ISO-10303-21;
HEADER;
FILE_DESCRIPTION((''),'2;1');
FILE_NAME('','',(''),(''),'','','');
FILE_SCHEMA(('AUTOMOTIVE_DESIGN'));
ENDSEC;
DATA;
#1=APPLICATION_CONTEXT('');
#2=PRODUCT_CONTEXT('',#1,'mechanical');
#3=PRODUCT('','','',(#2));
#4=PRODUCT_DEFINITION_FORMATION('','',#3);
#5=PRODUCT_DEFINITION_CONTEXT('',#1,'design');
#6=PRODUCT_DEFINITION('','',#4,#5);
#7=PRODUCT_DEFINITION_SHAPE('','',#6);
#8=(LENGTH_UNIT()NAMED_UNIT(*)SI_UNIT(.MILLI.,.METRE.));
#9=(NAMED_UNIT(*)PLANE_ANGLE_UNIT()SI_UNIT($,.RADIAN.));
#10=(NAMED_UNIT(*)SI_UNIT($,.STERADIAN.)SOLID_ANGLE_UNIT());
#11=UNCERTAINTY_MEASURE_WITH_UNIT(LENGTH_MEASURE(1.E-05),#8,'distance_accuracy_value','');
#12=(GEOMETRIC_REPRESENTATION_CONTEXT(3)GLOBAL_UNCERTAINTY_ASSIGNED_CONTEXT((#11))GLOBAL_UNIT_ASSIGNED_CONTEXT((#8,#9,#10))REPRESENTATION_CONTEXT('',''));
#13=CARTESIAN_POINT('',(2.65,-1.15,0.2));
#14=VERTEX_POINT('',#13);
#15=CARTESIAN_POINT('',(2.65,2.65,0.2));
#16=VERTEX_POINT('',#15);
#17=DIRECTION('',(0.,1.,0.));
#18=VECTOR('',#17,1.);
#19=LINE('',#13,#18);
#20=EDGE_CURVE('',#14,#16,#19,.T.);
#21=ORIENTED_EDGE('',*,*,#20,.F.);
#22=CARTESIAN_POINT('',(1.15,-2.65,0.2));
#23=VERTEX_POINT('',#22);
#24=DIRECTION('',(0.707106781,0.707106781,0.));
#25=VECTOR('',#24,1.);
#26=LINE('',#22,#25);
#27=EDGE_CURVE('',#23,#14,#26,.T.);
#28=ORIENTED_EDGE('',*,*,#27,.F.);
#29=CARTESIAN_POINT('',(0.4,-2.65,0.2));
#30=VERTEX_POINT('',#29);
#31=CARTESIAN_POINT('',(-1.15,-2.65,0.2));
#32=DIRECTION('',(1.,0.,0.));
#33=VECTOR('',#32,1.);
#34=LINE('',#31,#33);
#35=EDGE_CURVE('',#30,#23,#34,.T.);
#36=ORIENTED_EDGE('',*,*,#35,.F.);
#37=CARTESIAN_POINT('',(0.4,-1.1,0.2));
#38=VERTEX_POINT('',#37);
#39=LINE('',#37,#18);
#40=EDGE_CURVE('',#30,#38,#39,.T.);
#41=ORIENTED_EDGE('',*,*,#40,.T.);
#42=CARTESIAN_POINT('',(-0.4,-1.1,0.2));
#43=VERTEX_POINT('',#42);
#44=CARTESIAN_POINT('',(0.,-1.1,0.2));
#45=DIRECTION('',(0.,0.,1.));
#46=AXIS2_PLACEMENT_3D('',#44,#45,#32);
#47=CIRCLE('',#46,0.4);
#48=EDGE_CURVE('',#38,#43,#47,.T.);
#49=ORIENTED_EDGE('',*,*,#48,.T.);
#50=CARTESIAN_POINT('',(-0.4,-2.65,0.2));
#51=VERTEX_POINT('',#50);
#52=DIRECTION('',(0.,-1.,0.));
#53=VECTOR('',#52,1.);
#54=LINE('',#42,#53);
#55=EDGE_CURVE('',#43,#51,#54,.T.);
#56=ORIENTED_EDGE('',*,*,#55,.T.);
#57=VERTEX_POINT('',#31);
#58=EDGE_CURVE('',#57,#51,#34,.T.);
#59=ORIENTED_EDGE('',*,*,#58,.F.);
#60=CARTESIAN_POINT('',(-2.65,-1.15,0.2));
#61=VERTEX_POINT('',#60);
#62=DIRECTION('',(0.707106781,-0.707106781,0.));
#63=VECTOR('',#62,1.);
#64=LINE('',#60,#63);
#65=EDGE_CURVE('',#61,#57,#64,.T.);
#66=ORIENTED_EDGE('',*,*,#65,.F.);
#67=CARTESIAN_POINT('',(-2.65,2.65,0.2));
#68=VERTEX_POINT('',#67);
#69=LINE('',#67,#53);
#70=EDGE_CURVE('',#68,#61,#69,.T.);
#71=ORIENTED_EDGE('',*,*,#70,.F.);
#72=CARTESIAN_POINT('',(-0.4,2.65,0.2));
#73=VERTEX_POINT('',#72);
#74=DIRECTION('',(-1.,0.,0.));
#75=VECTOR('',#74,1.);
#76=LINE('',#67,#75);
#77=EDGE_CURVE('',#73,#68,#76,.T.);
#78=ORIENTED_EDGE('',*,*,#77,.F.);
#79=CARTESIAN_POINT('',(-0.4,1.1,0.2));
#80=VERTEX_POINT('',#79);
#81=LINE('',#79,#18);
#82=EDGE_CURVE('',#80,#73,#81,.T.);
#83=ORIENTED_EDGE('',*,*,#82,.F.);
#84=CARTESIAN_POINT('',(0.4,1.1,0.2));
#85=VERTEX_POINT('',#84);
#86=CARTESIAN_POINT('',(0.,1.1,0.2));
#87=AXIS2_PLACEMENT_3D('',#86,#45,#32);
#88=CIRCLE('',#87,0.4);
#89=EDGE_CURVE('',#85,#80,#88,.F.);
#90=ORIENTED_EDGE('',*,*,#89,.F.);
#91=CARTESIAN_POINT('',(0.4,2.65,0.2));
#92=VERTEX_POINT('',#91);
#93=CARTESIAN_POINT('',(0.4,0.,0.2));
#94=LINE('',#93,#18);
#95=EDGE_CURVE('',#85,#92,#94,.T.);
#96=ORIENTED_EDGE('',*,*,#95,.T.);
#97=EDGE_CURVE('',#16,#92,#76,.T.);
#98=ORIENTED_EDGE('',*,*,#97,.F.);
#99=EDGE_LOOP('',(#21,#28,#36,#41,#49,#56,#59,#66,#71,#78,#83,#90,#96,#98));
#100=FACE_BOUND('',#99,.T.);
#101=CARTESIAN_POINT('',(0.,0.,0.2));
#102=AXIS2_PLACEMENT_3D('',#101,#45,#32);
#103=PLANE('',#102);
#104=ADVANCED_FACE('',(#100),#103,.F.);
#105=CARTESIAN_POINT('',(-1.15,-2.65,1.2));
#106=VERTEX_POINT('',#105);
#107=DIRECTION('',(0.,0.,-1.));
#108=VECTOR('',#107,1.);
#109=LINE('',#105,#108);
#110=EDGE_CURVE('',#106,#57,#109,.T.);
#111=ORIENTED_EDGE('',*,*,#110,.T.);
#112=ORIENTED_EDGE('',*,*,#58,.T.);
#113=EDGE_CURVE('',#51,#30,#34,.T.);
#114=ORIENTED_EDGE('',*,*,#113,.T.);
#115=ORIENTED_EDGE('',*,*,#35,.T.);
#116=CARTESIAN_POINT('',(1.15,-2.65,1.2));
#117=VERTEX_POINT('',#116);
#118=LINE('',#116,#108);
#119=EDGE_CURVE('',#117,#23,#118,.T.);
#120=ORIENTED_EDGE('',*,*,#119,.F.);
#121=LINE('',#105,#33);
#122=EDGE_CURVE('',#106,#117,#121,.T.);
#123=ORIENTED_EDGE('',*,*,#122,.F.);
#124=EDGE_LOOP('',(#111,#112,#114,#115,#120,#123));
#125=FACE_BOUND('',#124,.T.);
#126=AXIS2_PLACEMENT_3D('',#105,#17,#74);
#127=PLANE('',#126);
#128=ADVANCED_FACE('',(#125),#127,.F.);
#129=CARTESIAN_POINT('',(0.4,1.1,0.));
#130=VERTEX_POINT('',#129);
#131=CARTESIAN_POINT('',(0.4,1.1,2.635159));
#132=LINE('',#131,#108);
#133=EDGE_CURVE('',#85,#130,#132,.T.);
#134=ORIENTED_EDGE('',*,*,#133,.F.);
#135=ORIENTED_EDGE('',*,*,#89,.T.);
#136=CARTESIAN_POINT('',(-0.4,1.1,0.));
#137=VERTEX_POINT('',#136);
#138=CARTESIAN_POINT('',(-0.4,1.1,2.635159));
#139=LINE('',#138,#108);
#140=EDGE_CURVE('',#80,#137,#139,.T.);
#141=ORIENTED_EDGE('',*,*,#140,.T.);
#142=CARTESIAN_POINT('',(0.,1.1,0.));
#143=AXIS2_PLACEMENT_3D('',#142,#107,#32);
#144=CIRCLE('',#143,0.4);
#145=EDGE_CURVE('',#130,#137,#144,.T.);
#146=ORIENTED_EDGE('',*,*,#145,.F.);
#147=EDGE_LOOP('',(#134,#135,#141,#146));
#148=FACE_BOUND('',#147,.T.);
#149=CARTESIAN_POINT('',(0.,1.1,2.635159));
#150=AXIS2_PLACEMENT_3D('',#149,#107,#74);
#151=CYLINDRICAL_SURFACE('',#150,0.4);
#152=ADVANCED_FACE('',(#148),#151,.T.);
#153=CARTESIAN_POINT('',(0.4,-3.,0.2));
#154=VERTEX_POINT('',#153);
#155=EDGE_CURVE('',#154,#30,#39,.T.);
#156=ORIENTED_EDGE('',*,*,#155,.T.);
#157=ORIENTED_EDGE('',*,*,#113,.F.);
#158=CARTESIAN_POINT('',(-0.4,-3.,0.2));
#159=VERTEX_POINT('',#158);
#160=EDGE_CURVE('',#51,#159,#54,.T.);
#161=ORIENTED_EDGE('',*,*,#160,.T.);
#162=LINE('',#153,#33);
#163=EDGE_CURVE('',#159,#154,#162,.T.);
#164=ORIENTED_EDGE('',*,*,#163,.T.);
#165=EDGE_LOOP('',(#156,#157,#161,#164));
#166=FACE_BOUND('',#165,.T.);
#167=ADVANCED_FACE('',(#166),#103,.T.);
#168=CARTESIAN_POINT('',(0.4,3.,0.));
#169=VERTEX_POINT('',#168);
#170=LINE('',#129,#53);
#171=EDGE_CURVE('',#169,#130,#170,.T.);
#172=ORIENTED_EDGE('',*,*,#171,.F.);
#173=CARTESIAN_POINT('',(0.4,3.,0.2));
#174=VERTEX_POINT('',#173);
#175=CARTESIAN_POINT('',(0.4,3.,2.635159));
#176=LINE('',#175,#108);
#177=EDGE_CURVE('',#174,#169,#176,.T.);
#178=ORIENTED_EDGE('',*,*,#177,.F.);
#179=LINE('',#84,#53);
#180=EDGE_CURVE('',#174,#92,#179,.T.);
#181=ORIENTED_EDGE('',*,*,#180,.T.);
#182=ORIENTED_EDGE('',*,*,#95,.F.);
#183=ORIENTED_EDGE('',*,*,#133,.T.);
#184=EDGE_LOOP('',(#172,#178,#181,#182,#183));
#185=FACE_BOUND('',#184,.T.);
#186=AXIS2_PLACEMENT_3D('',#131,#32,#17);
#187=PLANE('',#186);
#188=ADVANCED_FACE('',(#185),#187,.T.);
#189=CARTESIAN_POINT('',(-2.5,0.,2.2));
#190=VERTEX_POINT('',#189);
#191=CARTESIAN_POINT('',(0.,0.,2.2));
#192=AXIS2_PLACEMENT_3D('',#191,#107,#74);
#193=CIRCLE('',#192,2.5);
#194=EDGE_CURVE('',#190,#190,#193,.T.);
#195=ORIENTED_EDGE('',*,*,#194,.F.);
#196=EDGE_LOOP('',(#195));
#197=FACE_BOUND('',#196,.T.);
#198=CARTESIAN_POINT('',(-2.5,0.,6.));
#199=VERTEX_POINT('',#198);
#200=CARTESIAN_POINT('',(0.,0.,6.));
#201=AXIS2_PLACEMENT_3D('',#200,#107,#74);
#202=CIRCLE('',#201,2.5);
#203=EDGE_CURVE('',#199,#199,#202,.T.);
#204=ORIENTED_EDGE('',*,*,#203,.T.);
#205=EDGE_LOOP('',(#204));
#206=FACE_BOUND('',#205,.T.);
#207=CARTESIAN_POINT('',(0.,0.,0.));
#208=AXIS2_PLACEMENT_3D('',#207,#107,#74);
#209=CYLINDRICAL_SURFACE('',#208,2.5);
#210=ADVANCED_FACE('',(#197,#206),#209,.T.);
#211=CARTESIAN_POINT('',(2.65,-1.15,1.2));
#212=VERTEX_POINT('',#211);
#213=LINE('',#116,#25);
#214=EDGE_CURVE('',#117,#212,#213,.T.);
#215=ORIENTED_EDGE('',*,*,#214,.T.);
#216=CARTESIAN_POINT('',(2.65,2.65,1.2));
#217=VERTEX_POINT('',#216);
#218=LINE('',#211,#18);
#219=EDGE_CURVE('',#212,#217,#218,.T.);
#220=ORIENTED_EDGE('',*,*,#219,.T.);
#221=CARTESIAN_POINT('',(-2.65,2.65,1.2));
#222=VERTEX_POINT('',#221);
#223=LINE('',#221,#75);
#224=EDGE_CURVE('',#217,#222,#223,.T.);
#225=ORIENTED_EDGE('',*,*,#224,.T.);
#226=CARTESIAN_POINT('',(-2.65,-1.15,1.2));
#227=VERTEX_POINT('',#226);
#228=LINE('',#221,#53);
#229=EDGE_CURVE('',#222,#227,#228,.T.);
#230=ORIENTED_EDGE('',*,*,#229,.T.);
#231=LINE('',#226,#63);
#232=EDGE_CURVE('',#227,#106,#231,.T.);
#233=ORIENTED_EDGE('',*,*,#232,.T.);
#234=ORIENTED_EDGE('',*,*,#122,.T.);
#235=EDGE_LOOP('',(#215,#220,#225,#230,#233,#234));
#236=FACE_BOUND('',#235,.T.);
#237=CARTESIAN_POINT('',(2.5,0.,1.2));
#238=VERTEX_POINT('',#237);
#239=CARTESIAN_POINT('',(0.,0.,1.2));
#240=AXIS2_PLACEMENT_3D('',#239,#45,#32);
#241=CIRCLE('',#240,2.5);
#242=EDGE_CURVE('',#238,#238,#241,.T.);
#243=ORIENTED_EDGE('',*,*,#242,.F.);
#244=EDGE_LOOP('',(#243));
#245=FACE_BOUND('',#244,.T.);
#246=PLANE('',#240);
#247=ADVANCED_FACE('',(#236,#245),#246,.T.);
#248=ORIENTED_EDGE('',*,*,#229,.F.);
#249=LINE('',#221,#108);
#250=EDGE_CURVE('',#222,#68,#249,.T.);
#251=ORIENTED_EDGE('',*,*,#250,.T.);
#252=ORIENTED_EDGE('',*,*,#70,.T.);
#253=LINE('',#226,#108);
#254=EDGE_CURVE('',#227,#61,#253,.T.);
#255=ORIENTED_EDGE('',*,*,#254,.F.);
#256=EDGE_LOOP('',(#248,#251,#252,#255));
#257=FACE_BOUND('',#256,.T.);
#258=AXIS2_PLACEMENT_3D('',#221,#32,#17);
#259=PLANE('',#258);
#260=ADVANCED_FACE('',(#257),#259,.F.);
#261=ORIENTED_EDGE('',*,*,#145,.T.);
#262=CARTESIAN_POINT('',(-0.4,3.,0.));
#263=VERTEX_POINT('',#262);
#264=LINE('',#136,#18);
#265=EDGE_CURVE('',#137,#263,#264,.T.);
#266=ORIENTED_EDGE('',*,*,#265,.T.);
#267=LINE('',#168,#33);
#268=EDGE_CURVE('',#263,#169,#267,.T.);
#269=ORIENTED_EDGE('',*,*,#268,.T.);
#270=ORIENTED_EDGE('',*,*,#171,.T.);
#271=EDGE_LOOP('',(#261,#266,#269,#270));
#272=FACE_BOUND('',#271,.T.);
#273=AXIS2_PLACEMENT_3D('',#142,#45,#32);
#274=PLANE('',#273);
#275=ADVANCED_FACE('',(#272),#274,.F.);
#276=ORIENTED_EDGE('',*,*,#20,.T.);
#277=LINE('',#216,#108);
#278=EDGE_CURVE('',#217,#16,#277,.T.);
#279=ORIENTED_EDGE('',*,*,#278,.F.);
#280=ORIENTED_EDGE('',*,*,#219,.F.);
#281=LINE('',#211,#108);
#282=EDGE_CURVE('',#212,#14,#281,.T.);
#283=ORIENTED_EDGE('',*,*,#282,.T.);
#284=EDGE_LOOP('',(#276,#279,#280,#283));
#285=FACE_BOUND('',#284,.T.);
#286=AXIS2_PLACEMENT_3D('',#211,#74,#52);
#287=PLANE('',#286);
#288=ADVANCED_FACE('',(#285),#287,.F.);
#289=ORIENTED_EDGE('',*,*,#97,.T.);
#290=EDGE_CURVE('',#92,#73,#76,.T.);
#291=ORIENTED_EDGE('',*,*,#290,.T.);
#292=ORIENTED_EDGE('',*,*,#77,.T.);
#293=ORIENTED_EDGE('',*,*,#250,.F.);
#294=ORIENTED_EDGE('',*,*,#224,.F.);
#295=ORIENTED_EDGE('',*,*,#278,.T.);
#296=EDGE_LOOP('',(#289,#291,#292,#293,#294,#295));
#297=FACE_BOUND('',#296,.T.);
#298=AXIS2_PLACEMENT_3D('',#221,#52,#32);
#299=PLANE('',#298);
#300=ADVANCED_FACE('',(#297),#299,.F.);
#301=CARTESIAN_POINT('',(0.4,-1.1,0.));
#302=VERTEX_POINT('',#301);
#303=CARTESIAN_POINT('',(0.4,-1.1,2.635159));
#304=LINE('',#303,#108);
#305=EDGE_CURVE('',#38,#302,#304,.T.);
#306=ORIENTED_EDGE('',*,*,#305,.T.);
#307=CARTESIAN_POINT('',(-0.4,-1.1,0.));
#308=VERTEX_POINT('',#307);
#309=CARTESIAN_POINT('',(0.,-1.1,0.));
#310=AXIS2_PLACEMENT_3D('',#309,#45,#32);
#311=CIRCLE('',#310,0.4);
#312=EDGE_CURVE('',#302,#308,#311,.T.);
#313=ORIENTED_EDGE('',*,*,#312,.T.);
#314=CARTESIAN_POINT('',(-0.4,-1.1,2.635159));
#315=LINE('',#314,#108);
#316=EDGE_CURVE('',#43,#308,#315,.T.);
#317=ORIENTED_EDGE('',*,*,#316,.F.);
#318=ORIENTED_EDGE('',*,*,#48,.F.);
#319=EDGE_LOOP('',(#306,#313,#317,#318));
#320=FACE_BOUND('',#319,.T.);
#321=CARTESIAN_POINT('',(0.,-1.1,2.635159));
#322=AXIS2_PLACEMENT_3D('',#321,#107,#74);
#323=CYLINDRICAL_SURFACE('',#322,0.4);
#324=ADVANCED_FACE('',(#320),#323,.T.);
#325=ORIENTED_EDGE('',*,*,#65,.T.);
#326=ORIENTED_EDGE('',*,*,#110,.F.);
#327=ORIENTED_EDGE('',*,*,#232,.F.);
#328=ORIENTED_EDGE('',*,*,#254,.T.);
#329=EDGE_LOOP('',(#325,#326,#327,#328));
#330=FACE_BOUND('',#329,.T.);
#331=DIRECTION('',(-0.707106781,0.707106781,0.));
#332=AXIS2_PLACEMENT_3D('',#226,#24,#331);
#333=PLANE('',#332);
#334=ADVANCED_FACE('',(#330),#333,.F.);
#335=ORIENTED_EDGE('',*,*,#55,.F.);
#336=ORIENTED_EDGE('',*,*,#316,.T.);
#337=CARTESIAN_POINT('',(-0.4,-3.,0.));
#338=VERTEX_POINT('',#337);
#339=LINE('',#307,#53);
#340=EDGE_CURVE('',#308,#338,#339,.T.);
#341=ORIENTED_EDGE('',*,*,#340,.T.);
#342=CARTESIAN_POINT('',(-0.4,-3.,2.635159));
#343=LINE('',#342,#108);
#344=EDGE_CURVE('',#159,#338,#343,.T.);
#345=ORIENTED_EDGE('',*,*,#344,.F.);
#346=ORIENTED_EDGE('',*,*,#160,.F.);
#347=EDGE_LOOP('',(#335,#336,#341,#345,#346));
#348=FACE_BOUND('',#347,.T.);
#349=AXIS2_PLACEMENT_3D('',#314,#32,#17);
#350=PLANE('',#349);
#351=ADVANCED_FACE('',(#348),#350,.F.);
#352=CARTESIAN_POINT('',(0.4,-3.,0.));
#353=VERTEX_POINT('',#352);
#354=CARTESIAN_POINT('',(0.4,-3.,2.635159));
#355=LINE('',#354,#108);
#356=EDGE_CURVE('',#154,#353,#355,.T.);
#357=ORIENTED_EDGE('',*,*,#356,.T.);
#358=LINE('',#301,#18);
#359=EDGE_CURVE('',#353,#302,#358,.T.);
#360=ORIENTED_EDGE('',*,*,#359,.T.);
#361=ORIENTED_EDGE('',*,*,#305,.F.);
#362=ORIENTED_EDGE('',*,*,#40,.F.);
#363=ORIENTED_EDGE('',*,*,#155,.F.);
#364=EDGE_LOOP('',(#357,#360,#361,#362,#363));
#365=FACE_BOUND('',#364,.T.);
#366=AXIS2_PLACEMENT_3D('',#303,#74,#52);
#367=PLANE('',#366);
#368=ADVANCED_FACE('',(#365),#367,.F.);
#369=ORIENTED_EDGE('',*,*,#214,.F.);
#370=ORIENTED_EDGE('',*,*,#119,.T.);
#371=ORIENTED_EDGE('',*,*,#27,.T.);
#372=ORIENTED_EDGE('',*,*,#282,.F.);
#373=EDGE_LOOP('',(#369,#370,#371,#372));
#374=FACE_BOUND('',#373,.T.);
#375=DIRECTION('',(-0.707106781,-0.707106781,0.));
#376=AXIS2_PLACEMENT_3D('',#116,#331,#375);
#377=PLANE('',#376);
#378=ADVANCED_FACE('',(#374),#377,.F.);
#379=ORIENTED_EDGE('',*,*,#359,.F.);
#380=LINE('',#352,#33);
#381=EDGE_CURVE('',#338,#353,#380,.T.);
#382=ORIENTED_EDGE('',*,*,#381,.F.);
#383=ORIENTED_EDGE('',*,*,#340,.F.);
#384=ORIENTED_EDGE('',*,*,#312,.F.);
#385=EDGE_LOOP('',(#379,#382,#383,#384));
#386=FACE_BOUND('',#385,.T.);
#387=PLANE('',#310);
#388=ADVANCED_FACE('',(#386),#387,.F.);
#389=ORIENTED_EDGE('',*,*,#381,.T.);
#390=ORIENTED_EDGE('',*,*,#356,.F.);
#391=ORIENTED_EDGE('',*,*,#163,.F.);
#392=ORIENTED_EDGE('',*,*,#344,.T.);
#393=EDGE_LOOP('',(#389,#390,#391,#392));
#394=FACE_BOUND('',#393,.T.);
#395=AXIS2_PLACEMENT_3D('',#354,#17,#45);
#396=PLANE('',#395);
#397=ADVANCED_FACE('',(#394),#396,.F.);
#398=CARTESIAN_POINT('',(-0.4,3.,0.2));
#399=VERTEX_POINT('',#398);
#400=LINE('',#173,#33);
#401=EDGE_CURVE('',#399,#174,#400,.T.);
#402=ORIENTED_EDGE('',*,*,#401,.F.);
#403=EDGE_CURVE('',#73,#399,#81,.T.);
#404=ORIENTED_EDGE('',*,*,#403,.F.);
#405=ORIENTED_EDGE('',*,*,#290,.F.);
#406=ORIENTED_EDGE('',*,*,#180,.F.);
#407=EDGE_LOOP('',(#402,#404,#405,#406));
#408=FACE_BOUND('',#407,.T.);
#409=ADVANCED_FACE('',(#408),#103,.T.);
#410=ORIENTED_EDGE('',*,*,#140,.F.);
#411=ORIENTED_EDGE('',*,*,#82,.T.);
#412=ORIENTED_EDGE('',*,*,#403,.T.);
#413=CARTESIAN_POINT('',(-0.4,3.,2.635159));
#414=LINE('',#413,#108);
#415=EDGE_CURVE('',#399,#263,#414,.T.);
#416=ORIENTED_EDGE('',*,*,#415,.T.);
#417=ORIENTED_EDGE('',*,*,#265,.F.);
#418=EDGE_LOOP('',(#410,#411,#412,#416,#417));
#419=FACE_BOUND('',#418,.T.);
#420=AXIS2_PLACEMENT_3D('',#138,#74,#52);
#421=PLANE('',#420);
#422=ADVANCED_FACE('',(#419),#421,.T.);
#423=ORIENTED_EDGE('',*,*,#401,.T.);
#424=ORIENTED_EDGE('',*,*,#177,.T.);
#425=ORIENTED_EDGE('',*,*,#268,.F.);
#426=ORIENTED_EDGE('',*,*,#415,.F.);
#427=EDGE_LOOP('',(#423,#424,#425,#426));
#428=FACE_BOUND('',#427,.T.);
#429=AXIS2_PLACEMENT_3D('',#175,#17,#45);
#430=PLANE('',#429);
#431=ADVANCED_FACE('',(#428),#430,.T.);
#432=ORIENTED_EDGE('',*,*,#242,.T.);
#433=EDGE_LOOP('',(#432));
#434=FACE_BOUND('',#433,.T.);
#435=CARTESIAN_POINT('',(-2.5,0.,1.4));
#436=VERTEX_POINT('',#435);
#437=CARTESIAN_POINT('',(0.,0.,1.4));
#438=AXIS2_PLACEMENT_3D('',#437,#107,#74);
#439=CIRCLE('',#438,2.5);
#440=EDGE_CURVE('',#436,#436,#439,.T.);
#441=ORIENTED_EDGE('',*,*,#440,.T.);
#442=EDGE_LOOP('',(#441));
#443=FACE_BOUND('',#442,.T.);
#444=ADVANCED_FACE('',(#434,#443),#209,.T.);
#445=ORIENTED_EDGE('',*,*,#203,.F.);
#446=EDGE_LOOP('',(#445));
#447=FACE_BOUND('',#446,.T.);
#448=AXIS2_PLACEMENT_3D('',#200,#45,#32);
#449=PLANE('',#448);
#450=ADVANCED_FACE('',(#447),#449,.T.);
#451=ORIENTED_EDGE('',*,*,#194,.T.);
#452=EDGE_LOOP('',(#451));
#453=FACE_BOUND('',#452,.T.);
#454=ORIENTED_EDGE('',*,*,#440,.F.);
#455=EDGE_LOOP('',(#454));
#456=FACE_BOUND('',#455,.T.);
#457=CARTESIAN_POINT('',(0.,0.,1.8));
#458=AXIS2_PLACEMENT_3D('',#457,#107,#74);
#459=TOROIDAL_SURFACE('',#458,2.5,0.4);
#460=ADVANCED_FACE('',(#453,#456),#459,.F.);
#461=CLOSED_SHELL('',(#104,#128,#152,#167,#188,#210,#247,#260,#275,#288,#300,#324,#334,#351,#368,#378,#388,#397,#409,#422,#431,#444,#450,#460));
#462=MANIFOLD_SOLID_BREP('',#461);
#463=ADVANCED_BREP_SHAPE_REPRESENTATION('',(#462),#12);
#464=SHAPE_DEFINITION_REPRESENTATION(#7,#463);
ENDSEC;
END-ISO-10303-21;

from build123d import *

# Parameters (mm, degrees)
BOSS_EXTRUDE1_START = 0.2
BOSS_EXTRUDE1_DEPTH = 1
BOSS_EXTRUDE2_DEPTH = 0.2


with BuildPart() as part:
    # Sketch1 → Boss-Extrude1 (new body)
    with BuildSketch(Plane.XY.offset(BOSS_EXTRUDE1_START)):
        Polygon((-2.65, 2.65), (2.65, 2.65), (2.65, -1.15), (1.15, -2.65), (-1.15, -2.65), (-2.65, -1.15), align=None)
    extrude(amount=BOSS_EXTRUDE1_DEPTH)

    # Sketch2 → Revolve1 (revolve)
    with BuildSketch(Plane(origin=(0, 0, 0), x_dir=(0, 0, -1), z_dir=(1, 0, 0)), mode=Mode.PRIVATE) as revolve1_sk:
        with BuildLine():
            Line((-6, 0), (-6, 2.5))
            Line((-6, 2.5), (-2.2, 2.5))
            ThreePointArc((-2.2, 2.5), (-1.8, 2.1), (-1.4, 2.5))
            Line((-1.4, 2.5), (-1.2, 2.5))
            Line((-1.2, 2.5), (-1.2, 0))
            Line((-1.2, 0), (-6, 0))
        make_face()
    revolve(revolve1_sk.sketch.rotate(Axis((0, 0, 0), (0, 0, 1)), 90), axis=Axis((0, 0, 0), (0, 0, 1)))

    # Sketch3 → Boss-Extrude2 (add)
    with BuildSketch(Plane.XY):
        with BuildLine():
            Line((0.4, -1.1), (0.4, -3))
            Line((0.4, -3), (-0.4, -3))
            Line((-0.4, -3), (-0.4, -1.1))
            ThreePointArc((-0.4, -1.1), (0, -0.7), (0.4, -1.1))
        make_face()
    boss_extrude2 = extrude(amount=BOSS_EXTRUDE2_DEPTH)

    # Mirror1: Boss-Extrude2 across plane
    add(boss_extrude2.mirror(Plane.ZX))


solid = part.part
